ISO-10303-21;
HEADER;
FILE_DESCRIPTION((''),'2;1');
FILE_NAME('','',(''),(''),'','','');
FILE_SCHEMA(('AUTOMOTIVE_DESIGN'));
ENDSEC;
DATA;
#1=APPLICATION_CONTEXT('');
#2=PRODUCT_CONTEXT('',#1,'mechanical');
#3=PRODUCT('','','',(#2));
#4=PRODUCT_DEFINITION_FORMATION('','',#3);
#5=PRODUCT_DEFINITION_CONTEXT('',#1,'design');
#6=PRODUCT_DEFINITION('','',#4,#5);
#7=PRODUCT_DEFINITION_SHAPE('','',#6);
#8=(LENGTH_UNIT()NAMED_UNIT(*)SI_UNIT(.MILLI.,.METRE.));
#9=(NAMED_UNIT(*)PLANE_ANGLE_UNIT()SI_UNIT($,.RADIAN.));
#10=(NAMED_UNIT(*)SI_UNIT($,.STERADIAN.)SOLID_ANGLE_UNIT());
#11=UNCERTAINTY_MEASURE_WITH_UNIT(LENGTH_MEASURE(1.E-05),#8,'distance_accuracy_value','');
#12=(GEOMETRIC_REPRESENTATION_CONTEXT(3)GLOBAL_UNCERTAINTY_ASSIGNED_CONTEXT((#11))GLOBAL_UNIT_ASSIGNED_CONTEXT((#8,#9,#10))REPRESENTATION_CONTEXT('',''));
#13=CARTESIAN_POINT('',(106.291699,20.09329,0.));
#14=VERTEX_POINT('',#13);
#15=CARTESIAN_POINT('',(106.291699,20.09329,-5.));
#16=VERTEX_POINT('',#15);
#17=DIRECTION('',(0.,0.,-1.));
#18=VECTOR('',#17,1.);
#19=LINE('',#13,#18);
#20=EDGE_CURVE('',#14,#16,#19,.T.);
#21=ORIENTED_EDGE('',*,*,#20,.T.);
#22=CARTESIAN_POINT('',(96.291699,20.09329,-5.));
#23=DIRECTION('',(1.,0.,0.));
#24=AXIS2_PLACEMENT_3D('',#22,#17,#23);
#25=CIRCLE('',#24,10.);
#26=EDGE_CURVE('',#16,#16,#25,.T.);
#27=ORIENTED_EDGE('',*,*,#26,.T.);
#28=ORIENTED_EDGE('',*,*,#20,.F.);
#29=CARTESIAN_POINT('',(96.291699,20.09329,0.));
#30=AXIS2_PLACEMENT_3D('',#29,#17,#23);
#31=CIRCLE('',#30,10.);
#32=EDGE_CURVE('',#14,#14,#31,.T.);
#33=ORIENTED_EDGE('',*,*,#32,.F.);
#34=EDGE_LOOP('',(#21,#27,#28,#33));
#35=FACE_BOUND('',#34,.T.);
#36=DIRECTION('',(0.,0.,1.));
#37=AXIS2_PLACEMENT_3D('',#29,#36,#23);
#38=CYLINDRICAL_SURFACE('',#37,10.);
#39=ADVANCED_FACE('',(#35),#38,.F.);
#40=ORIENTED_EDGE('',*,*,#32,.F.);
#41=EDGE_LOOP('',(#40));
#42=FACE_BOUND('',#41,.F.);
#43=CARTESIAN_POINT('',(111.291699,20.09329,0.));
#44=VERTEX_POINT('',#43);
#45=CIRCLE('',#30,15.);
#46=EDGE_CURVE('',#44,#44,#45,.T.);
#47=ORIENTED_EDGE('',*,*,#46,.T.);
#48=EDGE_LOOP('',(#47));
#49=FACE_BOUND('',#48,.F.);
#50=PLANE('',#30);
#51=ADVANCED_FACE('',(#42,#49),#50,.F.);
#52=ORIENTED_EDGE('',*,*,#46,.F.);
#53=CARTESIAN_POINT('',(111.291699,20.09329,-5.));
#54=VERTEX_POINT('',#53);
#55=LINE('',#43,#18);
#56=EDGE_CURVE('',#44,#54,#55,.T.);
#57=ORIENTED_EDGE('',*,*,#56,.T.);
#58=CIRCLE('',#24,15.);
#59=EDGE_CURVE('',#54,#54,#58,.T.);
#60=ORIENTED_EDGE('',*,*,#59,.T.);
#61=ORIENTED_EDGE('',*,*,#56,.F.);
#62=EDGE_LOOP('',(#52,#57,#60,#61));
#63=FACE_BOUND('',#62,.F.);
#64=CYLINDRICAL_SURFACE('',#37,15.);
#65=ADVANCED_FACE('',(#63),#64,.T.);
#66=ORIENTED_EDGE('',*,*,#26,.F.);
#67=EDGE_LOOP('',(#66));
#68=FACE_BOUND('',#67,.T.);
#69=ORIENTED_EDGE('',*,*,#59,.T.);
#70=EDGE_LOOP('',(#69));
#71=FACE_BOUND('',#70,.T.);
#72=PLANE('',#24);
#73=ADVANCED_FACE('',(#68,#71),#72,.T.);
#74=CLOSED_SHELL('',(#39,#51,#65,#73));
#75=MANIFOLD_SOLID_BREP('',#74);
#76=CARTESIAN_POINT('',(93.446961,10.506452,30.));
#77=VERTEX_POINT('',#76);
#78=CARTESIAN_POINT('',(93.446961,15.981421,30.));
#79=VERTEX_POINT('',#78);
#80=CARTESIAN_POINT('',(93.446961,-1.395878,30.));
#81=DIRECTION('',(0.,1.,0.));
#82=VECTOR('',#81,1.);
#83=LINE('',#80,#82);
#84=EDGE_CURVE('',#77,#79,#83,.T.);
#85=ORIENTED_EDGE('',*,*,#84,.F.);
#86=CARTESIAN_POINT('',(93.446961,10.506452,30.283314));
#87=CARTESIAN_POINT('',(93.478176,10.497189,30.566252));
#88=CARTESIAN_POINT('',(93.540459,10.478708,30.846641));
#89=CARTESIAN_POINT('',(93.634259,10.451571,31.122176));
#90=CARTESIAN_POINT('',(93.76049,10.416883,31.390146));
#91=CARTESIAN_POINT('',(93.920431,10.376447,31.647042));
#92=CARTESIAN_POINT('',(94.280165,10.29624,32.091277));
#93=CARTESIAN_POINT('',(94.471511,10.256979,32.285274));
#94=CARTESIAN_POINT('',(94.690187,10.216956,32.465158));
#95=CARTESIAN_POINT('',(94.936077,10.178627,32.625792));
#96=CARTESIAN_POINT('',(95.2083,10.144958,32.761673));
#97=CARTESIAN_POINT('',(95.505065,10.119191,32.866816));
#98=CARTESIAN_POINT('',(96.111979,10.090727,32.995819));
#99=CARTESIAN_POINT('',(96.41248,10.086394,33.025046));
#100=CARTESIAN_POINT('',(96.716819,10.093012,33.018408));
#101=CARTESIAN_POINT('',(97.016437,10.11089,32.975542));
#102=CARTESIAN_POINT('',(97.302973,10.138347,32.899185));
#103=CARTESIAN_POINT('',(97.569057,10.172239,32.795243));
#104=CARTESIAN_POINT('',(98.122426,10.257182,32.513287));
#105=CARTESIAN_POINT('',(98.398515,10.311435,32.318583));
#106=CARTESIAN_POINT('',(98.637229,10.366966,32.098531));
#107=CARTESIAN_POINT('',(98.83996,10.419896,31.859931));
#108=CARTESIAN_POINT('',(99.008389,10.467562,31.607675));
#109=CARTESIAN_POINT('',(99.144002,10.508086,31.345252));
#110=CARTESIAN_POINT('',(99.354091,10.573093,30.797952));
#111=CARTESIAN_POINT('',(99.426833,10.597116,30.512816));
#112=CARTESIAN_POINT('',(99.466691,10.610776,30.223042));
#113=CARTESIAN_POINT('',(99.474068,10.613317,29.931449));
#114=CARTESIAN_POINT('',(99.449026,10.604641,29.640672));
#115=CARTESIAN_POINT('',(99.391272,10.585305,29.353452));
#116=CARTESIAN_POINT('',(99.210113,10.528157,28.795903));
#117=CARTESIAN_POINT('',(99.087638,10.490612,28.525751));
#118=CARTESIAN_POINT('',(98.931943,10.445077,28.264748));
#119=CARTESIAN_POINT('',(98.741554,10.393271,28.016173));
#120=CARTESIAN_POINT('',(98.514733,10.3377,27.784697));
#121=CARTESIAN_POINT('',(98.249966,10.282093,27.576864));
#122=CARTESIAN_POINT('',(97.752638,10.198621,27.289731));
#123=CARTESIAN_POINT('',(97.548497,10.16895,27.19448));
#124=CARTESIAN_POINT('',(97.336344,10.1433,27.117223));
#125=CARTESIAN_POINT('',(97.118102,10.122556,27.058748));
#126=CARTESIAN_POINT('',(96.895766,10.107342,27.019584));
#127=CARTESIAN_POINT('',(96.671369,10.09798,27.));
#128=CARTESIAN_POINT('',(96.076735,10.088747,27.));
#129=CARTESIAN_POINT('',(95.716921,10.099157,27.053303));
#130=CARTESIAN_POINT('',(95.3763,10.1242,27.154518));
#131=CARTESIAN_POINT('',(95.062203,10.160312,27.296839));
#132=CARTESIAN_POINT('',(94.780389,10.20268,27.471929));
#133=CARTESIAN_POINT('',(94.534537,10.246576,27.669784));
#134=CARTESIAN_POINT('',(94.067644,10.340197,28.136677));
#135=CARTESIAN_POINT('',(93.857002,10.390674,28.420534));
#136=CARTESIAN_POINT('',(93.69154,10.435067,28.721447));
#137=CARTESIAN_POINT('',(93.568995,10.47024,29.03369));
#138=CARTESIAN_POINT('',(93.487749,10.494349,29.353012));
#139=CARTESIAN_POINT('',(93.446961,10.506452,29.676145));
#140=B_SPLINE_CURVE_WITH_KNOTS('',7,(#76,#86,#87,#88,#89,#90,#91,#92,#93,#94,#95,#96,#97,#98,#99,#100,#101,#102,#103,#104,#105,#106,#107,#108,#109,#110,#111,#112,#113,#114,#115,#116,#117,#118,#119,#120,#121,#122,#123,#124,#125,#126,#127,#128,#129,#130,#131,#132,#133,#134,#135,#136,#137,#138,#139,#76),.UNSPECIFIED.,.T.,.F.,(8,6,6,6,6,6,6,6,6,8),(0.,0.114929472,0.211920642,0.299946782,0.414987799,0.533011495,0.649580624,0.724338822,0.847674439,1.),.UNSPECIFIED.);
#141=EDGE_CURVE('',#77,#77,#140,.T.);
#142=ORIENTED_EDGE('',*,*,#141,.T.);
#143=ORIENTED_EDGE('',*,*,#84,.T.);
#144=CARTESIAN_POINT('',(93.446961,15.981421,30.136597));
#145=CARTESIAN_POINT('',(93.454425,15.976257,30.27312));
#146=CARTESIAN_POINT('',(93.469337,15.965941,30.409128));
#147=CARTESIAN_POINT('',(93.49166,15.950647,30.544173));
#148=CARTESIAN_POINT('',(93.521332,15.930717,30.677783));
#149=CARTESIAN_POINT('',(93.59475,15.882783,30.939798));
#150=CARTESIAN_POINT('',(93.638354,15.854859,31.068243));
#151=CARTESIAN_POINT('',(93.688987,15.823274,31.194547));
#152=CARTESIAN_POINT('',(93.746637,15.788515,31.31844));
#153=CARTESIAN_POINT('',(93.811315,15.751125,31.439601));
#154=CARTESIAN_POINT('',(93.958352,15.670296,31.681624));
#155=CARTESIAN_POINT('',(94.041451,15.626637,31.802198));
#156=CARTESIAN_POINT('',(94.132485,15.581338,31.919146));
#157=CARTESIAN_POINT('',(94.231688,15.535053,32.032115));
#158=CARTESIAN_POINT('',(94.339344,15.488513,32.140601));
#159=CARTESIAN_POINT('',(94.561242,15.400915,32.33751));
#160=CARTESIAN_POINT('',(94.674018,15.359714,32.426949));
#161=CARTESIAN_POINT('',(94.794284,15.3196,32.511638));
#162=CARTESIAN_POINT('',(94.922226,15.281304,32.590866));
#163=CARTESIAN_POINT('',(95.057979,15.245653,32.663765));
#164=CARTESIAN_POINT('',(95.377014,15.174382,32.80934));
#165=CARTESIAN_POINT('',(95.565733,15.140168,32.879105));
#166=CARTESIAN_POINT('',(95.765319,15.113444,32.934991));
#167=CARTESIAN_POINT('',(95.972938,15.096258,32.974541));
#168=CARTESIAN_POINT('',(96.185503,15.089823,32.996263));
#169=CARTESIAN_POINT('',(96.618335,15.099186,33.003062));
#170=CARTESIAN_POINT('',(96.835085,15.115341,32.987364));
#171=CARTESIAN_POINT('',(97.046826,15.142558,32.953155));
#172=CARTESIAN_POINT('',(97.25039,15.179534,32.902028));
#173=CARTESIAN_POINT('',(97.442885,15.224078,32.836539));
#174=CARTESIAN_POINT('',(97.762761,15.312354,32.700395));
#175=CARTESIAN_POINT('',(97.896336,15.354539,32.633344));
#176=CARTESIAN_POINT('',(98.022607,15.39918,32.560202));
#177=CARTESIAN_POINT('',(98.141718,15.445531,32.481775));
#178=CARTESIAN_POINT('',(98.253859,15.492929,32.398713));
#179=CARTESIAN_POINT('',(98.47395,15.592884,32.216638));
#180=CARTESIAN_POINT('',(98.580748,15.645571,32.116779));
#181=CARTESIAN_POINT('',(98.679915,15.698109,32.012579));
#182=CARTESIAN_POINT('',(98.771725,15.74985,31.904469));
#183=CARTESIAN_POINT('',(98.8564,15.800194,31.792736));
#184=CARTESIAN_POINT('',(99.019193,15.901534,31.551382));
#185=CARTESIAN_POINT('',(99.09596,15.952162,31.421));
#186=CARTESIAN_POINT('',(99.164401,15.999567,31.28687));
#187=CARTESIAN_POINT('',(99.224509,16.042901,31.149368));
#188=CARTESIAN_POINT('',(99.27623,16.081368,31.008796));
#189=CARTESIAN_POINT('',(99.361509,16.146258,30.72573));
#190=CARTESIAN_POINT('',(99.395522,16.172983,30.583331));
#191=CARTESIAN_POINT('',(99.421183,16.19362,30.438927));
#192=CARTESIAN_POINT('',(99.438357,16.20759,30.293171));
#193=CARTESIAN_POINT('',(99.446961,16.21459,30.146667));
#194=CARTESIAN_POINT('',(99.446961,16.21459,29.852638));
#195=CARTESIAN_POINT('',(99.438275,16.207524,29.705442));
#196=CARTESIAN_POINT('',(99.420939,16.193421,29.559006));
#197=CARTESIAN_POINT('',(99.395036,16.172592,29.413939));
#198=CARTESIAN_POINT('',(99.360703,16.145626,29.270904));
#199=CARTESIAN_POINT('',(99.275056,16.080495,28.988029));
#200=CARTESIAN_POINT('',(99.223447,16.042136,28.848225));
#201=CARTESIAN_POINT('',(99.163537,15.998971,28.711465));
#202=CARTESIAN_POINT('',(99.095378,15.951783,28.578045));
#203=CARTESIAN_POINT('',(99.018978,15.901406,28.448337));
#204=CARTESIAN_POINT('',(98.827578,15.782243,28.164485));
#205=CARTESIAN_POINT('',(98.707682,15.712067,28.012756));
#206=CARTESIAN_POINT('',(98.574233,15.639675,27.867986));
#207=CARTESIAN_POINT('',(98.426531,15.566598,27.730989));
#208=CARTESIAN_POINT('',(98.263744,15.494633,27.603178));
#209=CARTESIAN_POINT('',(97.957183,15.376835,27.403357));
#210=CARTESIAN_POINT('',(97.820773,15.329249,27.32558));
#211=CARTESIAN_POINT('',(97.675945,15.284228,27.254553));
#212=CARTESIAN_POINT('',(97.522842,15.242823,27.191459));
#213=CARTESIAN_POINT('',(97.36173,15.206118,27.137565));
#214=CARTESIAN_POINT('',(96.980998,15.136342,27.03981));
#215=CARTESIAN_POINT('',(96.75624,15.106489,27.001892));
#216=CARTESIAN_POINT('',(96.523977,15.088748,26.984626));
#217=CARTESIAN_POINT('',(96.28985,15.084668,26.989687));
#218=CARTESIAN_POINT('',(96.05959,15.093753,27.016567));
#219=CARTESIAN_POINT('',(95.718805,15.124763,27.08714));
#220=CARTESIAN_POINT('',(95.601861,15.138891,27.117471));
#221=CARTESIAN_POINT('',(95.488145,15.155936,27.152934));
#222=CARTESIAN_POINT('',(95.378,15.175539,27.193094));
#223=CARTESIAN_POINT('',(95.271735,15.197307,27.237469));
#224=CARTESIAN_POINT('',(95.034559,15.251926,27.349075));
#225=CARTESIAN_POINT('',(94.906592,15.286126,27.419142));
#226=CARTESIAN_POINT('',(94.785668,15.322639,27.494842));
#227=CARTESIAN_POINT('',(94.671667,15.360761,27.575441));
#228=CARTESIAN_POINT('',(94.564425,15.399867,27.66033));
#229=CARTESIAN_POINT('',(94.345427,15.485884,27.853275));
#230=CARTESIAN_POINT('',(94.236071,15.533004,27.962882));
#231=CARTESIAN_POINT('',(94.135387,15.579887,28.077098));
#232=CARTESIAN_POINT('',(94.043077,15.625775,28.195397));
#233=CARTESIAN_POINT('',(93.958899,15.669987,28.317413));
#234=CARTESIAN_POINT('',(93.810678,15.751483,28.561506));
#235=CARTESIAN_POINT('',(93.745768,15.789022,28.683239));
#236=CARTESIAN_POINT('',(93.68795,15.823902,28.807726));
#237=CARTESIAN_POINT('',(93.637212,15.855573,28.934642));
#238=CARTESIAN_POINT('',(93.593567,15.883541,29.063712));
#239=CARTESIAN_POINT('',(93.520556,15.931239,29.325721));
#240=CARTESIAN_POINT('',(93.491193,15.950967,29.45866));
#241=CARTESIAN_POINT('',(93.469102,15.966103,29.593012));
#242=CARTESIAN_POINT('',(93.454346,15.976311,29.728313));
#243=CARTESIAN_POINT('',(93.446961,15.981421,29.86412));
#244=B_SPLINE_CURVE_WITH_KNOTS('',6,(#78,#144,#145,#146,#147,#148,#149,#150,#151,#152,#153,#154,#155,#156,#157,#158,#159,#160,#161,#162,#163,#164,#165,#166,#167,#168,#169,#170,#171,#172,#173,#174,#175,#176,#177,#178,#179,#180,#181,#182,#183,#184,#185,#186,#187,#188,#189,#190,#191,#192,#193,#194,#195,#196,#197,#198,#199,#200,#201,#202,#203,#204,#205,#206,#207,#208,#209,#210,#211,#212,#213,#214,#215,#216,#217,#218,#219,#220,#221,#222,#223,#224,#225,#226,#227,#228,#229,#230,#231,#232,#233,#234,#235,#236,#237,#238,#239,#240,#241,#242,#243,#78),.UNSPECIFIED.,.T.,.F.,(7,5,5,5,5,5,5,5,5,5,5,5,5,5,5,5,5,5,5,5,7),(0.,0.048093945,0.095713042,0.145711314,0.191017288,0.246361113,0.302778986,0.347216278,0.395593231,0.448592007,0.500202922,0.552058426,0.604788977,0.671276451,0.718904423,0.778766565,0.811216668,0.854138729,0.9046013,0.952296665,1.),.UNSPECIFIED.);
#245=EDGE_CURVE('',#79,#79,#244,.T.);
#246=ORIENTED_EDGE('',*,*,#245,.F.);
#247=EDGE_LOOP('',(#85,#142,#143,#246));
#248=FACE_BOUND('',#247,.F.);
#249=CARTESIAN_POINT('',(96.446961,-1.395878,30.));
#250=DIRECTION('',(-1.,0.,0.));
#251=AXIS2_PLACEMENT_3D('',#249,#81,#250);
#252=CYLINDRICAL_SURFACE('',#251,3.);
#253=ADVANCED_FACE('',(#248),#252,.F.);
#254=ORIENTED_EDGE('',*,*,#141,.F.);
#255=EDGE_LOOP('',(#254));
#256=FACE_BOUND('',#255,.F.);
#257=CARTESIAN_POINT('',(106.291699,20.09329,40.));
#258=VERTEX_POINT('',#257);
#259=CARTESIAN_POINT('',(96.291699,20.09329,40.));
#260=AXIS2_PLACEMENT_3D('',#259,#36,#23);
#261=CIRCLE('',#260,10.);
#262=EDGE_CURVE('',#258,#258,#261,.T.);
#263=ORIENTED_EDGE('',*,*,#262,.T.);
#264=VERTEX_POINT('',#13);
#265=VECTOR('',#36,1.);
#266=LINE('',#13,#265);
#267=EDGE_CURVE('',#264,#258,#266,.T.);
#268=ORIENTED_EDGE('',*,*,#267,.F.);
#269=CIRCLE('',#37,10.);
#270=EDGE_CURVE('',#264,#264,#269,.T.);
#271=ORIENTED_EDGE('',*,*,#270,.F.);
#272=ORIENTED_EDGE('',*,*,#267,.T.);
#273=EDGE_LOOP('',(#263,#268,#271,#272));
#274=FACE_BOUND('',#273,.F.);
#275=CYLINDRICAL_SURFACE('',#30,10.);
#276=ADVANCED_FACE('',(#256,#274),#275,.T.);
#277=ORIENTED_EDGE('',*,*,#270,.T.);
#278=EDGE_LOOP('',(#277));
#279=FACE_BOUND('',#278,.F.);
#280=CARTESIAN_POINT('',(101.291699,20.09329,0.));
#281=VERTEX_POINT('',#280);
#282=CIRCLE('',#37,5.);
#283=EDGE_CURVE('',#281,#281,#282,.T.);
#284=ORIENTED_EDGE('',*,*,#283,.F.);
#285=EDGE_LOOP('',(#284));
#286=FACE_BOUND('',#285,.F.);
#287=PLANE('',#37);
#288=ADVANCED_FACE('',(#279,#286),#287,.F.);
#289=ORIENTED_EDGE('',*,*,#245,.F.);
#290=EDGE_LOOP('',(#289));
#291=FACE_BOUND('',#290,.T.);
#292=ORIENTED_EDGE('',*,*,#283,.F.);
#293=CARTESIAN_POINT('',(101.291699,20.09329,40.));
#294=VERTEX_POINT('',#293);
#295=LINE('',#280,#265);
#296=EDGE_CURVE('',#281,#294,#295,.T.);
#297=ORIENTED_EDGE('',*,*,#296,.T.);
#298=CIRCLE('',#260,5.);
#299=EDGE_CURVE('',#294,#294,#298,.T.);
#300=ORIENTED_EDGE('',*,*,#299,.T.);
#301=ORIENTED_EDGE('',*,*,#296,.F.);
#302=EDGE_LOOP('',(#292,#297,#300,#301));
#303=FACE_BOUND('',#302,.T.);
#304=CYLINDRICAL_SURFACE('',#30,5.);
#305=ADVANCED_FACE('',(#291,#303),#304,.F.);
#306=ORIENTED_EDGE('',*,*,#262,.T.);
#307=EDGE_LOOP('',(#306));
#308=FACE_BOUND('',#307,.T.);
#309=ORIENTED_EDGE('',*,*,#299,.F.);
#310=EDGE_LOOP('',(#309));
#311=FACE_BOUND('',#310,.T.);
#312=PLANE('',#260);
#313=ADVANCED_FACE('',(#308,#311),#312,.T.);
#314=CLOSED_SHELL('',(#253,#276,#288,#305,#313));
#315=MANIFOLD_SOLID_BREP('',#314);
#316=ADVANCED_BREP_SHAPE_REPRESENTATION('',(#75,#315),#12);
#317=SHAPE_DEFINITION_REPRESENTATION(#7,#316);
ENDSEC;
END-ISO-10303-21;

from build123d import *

# Parameters (mm, degrees)
F0_R     = 10
F0_R_2   = 5
F1_DEPTH = 40
F3_D     = 6
F3_DEPTH = 12
F3_START = 10.6041218
F3_TIP   = 1.8025818571
F4_R     = 15
F4_R_2   = 10
F5_DEPTH = 5


with BuildPart() as f1:
    # F0 (on Top) → F1 (new body)
    with BuildSketch(Plane.XY):
        with Locations((96.2916985154, 20.0932901353)):
            Circle(F0_R)
        with Locations((96.2916985154, 20.0932901353)):
            Circle(F0_R_2, mode=Mode.SUBTRACT)
    extrude(amount=F1_DEPTH)

    # F3
    # its depths count from where the whole tool has entered the part; down to there all is cleared
    with Locations(Plane.XZ.offset(-F3_START)):
        with Locations((96.4469611645, 30)):
            Hole(F3_D / 2, depth=F3_DEPTH)
            with Locations((0, 0, -(F3_DEPTH + F3_TIP / 2))):  # 118° drill point
                Cone(0, F3_D / 2, F3_TIP, mode=Mode.SUBTRACT)


with BuildPart() as f5:
    # F4 (on face) → F5 (new body)
    with BuildSketch(Plane(origin=(0, 0, 0), x_dir=(1, 0, 0), z_dir=(0, 0, -1))):
        with Locations((96.2916985154, -20.0932901353)):
            Circle(F4_R)
        with Locations((96.2916985154, -20.0932901353)):
            Circle(F4_R_2, mode=Mode.SUBTRACT)
    extrude(amount=F5_DEPTH)


solid = Compound([f1.part, f5.part])
